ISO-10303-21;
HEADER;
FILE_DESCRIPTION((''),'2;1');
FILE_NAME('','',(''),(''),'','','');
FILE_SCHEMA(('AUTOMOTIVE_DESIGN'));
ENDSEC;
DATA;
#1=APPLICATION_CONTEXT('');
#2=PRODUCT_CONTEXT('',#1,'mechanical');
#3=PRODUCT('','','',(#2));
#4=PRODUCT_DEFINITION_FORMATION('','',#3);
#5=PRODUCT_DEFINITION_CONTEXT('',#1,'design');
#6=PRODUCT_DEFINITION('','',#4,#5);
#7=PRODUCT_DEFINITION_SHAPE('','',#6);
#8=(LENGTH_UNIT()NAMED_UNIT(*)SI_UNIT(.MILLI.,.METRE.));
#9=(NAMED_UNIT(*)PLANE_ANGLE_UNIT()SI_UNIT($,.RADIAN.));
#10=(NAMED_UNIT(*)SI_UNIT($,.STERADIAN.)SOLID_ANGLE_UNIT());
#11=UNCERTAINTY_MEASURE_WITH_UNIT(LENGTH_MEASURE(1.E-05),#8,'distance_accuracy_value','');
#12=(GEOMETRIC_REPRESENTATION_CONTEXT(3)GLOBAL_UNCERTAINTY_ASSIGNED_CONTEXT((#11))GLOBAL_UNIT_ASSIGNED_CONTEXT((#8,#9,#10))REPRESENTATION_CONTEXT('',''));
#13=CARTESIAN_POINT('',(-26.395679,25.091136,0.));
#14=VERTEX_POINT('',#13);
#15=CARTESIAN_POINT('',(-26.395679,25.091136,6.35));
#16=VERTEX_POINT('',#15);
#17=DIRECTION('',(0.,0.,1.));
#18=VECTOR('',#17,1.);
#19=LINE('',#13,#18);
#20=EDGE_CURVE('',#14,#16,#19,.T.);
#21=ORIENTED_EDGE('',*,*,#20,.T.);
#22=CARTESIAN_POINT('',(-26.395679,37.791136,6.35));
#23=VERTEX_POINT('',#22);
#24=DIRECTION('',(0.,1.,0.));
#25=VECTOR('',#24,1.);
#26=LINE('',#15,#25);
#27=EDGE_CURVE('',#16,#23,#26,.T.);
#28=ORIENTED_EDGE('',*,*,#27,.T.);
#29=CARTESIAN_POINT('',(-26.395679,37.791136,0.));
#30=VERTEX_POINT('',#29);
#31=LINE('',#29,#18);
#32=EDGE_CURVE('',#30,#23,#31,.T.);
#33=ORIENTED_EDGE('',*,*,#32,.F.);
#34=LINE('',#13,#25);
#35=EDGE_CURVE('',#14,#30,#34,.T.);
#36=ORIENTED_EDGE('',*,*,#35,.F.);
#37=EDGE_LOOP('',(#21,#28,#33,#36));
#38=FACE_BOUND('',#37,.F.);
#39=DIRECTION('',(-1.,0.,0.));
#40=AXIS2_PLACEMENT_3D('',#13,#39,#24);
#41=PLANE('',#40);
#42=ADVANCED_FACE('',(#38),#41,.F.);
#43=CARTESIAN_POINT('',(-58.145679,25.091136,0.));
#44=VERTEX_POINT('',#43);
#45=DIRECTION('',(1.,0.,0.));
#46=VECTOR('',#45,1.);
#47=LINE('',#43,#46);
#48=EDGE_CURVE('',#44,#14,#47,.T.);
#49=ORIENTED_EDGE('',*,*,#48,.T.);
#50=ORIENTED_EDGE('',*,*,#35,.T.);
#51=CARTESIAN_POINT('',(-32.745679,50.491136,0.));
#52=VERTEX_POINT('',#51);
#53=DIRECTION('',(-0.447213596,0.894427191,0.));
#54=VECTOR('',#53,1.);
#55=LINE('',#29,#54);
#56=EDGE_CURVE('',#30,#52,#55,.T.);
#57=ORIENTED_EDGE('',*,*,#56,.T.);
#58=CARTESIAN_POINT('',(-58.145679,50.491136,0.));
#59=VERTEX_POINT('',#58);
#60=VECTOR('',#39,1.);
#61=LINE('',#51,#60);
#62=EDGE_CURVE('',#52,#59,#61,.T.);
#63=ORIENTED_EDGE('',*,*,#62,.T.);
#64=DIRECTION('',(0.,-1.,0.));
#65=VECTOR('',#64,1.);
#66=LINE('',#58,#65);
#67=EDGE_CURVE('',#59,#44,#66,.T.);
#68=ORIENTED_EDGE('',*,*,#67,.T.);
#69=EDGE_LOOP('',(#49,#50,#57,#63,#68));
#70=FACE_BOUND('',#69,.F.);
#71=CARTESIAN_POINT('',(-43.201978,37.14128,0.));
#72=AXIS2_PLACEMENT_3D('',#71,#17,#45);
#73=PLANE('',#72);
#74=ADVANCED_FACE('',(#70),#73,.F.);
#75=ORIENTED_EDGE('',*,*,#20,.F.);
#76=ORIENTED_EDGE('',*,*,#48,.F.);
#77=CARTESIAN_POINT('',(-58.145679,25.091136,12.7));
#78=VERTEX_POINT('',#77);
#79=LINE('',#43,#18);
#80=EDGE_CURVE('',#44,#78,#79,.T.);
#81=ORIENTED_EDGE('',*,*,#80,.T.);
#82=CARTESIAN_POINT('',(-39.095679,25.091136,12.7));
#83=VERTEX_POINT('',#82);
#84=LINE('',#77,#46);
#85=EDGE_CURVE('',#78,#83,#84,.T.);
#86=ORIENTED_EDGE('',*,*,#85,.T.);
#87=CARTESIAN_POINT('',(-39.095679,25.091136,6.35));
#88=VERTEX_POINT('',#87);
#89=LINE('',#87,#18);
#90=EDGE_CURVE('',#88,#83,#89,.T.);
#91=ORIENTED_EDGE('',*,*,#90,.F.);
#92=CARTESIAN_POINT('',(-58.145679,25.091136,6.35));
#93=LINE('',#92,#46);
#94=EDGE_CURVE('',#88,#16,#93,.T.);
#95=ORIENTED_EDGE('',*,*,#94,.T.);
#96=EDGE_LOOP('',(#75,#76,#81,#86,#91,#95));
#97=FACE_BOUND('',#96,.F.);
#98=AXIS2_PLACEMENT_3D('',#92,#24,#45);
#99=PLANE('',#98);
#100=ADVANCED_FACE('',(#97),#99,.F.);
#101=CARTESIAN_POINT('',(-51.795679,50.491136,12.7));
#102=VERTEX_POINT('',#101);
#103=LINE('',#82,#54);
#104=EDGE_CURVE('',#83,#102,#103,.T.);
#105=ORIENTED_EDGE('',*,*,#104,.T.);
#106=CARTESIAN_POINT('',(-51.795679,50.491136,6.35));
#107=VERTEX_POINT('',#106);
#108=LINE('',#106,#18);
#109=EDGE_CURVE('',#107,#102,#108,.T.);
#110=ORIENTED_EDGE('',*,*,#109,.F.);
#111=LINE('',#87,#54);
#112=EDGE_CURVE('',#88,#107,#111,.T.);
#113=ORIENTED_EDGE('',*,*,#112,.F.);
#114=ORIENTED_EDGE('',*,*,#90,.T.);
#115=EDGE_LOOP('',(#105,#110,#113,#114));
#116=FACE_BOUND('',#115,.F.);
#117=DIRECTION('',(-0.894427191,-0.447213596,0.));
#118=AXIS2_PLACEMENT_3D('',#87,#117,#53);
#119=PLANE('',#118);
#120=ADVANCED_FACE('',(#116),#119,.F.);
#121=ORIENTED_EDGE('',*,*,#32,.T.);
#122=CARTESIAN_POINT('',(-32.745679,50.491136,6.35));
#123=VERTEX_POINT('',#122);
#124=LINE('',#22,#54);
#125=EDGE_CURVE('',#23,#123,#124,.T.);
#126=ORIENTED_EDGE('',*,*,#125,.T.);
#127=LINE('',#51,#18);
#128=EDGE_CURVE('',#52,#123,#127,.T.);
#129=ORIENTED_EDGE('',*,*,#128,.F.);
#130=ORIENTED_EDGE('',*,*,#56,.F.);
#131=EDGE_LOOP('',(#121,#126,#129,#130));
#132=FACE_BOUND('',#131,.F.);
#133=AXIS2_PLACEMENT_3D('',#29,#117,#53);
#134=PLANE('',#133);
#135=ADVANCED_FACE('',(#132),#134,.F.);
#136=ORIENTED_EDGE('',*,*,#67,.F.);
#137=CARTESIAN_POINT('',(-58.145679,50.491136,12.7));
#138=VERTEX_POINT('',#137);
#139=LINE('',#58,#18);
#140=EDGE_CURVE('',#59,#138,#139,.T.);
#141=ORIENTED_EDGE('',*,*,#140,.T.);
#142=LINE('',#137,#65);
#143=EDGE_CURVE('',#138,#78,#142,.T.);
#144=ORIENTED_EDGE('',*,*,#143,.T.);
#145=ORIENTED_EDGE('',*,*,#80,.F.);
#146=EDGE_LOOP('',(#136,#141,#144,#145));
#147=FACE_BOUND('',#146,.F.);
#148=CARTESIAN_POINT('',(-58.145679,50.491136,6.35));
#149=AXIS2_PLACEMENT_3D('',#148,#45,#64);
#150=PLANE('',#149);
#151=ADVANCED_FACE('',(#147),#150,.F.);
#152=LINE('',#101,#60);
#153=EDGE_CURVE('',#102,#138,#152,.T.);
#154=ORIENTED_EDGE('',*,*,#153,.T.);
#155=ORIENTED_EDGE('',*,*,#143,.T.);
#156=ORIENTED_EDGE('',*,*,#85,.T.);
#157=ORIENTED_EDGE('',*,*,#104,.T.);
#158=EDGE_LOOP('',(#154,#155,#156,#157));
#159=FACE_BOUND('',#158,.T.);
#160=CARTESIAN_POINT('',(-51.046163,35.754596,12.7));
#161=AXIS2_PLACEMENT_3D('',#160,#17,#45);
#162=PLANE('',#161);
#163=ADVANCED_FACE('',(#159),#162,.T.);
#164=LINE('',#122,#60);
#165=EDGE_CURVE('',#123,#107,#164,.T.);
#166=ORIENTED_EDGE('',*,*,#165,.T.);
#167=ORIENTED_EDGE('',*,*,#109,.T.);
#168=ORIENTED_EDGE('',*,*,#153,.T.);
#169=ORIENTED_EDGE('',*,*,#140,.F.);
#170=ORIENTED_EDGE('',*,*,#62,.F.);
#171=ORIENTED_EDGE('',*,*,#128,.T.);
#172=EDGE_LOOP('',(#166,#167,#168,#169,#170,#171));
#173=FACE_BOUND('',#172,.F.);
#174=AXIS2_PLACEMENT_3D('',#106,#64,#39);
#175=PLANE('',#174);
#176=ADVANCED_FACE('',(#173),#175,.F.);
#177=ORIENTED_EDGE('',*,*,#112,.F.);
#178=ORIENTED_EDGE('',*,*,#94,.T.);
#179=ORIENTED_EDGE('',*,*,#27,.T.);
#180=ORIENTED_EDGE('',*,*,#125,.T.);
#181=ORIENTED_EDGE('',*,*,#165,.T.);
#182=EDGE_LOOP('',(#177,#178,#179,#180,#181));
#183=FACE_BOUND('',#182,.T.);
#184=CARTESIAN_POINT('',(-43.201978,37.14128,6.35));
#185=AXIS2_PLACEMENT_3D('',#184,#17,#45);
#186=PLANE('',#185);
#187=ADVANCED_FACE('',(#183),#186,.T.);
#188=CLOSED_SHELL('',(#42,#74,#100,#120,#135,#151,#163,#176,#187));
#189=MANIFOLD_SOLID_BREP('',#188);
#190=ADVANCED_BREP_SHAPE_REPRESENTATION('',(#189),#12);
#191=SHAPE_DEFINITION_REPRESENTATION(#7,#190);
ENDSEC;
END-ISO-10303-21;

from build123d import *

# Parameters (mm, degrees)
F1_DEPTH = 6.35
F3_DEPTH = 6.35


with BuildPart() as f1:
    # F0 (on Top) → F1 (new body)
    with BuildSketch(Plane.XY):
        Polygon((-32.745679, 50.491136), (-58.145679, 50.491136), (-58.145679, 25.091136), (-26.395679, 25.091136), (-26.395679, 37.791136), align=None)
    extrude(amount=F1_DEPTH)

    # F2 (on face) → F3 (join)
    with BuildSketch(Plane.XY.offset(6.35)):
        Polygon((-51.795679, 50.491136), (-58.145679, 50.491136), (-58.145679, 25.091136), (-39.095679, 25.091136), align=None)
    extrude(amount=F3_DEPTH)


solid = f1.part
